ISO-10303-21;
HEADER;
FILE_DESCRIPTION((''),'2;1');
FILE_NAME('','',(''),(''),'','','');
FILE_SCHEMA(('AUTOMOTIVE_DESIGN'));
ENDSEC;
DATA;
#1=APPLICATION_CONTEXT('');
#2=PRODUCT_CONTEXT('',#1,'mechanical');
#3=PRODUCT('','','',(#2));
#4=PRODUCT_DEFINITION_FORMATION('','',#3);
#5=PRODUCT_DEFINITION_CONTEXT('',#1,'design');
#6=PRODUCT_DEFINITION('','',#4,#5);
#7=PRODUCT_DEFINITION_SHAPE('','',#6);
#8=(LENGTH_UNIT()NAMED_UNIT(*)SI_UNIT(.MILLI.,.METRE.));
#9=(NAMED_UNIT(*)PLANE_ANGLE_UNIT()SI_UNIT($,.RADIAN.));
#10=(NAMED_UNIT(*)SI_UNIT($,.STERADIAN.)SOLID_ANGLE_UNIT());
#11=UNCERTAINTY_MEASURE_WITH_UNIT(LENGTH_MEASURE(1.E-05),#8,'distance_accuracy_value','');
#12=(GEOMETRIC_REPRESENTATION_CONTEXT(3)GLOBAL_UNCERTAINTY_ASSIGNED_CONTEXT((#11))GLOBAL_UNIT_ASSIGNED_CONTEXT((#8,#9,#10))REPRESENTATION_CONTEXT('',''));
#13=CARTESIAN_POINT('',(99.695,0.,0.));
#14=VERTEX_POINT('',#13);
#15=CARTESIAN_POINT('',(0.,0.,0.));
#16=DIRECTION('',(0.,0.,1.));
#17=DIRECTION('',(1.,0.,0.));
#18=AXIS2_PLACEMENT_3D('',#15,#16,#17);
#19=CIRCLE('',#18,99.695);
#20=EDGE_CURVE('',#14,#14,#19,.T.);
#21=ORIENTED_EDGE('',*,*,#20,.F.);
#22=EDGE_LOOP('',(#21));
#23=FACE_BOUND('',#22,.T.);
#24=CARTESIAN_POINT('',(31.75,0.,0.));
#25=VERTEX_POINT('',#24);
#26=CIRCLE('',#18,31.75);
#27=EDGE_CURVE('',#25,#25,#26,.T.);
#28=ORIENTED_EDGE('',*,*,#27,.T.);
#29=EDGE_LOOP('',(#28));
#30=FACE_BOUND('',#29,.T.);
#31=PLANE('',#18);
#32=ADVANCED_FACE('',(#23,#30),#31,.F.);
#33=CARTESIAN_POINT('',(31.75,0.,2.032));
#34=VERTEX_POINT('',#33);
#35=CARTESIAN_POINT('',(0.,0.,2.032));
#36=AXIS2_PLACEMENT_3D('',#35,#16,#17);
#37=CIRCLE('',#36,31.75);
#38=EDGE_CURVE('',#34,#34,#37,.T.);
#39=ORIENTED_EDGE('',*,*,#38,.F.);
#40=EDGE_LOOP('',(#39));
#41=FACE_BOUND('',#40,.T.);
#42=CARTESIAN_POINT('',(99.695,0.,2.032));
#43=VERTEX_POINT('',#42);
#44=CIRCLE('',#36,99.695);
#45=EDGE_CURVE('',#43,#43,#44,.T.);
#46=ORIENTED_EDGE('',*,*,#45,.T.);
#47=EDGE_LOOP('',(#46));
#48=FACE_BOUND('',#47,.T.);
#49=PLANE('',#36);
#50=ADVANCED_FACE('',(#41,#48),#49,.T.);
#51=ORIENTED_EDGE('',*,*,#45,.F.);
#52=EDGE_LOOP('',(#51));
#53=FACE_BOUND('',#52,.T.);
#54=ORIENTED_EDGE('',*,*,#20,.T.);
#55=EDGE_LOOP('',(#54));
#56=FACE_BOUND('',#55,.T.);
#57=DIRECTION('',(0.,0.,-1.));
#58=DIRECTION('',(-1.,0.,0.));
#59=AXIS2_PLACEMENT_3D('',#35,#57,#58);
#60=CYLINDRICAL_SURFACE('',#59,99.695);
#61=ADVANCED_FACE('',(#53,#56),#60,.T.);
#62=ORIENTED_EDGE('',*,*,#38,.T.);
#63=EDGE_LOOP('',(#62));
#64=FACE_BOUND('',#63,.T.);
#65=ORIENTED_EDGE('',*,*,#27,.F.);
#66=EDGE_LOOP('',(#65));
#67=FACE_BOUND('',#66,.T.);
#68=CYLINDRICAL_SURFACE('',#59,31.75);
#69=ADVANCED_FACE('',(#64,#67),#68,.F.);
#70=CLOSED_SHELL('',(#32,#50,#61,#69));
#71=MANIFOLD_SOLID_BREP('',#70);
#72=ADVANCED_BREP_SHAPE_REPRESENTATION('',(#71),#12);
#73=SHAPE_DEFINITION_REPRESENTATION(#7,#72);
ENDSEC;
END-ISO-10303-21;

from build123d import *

# Parameters (mm, degrees)
SKETCH1_R          = 99.695
SKETCH1_R_2        = 31.75
BASE_EXTRUDE_DEPTH = 2.032


with BuildPart() as part:
    # Sketch1 → Base-Extrude (new body)
    with BuildSketch(Plane.XY):
        Circle(SKETCH1_R)
        Circle(SKETCH1_R_2, mode=Mode.SUBTRACT)
    extrude(amount=BASE_EXTRUDE_DEPTH)


solid = part.part
